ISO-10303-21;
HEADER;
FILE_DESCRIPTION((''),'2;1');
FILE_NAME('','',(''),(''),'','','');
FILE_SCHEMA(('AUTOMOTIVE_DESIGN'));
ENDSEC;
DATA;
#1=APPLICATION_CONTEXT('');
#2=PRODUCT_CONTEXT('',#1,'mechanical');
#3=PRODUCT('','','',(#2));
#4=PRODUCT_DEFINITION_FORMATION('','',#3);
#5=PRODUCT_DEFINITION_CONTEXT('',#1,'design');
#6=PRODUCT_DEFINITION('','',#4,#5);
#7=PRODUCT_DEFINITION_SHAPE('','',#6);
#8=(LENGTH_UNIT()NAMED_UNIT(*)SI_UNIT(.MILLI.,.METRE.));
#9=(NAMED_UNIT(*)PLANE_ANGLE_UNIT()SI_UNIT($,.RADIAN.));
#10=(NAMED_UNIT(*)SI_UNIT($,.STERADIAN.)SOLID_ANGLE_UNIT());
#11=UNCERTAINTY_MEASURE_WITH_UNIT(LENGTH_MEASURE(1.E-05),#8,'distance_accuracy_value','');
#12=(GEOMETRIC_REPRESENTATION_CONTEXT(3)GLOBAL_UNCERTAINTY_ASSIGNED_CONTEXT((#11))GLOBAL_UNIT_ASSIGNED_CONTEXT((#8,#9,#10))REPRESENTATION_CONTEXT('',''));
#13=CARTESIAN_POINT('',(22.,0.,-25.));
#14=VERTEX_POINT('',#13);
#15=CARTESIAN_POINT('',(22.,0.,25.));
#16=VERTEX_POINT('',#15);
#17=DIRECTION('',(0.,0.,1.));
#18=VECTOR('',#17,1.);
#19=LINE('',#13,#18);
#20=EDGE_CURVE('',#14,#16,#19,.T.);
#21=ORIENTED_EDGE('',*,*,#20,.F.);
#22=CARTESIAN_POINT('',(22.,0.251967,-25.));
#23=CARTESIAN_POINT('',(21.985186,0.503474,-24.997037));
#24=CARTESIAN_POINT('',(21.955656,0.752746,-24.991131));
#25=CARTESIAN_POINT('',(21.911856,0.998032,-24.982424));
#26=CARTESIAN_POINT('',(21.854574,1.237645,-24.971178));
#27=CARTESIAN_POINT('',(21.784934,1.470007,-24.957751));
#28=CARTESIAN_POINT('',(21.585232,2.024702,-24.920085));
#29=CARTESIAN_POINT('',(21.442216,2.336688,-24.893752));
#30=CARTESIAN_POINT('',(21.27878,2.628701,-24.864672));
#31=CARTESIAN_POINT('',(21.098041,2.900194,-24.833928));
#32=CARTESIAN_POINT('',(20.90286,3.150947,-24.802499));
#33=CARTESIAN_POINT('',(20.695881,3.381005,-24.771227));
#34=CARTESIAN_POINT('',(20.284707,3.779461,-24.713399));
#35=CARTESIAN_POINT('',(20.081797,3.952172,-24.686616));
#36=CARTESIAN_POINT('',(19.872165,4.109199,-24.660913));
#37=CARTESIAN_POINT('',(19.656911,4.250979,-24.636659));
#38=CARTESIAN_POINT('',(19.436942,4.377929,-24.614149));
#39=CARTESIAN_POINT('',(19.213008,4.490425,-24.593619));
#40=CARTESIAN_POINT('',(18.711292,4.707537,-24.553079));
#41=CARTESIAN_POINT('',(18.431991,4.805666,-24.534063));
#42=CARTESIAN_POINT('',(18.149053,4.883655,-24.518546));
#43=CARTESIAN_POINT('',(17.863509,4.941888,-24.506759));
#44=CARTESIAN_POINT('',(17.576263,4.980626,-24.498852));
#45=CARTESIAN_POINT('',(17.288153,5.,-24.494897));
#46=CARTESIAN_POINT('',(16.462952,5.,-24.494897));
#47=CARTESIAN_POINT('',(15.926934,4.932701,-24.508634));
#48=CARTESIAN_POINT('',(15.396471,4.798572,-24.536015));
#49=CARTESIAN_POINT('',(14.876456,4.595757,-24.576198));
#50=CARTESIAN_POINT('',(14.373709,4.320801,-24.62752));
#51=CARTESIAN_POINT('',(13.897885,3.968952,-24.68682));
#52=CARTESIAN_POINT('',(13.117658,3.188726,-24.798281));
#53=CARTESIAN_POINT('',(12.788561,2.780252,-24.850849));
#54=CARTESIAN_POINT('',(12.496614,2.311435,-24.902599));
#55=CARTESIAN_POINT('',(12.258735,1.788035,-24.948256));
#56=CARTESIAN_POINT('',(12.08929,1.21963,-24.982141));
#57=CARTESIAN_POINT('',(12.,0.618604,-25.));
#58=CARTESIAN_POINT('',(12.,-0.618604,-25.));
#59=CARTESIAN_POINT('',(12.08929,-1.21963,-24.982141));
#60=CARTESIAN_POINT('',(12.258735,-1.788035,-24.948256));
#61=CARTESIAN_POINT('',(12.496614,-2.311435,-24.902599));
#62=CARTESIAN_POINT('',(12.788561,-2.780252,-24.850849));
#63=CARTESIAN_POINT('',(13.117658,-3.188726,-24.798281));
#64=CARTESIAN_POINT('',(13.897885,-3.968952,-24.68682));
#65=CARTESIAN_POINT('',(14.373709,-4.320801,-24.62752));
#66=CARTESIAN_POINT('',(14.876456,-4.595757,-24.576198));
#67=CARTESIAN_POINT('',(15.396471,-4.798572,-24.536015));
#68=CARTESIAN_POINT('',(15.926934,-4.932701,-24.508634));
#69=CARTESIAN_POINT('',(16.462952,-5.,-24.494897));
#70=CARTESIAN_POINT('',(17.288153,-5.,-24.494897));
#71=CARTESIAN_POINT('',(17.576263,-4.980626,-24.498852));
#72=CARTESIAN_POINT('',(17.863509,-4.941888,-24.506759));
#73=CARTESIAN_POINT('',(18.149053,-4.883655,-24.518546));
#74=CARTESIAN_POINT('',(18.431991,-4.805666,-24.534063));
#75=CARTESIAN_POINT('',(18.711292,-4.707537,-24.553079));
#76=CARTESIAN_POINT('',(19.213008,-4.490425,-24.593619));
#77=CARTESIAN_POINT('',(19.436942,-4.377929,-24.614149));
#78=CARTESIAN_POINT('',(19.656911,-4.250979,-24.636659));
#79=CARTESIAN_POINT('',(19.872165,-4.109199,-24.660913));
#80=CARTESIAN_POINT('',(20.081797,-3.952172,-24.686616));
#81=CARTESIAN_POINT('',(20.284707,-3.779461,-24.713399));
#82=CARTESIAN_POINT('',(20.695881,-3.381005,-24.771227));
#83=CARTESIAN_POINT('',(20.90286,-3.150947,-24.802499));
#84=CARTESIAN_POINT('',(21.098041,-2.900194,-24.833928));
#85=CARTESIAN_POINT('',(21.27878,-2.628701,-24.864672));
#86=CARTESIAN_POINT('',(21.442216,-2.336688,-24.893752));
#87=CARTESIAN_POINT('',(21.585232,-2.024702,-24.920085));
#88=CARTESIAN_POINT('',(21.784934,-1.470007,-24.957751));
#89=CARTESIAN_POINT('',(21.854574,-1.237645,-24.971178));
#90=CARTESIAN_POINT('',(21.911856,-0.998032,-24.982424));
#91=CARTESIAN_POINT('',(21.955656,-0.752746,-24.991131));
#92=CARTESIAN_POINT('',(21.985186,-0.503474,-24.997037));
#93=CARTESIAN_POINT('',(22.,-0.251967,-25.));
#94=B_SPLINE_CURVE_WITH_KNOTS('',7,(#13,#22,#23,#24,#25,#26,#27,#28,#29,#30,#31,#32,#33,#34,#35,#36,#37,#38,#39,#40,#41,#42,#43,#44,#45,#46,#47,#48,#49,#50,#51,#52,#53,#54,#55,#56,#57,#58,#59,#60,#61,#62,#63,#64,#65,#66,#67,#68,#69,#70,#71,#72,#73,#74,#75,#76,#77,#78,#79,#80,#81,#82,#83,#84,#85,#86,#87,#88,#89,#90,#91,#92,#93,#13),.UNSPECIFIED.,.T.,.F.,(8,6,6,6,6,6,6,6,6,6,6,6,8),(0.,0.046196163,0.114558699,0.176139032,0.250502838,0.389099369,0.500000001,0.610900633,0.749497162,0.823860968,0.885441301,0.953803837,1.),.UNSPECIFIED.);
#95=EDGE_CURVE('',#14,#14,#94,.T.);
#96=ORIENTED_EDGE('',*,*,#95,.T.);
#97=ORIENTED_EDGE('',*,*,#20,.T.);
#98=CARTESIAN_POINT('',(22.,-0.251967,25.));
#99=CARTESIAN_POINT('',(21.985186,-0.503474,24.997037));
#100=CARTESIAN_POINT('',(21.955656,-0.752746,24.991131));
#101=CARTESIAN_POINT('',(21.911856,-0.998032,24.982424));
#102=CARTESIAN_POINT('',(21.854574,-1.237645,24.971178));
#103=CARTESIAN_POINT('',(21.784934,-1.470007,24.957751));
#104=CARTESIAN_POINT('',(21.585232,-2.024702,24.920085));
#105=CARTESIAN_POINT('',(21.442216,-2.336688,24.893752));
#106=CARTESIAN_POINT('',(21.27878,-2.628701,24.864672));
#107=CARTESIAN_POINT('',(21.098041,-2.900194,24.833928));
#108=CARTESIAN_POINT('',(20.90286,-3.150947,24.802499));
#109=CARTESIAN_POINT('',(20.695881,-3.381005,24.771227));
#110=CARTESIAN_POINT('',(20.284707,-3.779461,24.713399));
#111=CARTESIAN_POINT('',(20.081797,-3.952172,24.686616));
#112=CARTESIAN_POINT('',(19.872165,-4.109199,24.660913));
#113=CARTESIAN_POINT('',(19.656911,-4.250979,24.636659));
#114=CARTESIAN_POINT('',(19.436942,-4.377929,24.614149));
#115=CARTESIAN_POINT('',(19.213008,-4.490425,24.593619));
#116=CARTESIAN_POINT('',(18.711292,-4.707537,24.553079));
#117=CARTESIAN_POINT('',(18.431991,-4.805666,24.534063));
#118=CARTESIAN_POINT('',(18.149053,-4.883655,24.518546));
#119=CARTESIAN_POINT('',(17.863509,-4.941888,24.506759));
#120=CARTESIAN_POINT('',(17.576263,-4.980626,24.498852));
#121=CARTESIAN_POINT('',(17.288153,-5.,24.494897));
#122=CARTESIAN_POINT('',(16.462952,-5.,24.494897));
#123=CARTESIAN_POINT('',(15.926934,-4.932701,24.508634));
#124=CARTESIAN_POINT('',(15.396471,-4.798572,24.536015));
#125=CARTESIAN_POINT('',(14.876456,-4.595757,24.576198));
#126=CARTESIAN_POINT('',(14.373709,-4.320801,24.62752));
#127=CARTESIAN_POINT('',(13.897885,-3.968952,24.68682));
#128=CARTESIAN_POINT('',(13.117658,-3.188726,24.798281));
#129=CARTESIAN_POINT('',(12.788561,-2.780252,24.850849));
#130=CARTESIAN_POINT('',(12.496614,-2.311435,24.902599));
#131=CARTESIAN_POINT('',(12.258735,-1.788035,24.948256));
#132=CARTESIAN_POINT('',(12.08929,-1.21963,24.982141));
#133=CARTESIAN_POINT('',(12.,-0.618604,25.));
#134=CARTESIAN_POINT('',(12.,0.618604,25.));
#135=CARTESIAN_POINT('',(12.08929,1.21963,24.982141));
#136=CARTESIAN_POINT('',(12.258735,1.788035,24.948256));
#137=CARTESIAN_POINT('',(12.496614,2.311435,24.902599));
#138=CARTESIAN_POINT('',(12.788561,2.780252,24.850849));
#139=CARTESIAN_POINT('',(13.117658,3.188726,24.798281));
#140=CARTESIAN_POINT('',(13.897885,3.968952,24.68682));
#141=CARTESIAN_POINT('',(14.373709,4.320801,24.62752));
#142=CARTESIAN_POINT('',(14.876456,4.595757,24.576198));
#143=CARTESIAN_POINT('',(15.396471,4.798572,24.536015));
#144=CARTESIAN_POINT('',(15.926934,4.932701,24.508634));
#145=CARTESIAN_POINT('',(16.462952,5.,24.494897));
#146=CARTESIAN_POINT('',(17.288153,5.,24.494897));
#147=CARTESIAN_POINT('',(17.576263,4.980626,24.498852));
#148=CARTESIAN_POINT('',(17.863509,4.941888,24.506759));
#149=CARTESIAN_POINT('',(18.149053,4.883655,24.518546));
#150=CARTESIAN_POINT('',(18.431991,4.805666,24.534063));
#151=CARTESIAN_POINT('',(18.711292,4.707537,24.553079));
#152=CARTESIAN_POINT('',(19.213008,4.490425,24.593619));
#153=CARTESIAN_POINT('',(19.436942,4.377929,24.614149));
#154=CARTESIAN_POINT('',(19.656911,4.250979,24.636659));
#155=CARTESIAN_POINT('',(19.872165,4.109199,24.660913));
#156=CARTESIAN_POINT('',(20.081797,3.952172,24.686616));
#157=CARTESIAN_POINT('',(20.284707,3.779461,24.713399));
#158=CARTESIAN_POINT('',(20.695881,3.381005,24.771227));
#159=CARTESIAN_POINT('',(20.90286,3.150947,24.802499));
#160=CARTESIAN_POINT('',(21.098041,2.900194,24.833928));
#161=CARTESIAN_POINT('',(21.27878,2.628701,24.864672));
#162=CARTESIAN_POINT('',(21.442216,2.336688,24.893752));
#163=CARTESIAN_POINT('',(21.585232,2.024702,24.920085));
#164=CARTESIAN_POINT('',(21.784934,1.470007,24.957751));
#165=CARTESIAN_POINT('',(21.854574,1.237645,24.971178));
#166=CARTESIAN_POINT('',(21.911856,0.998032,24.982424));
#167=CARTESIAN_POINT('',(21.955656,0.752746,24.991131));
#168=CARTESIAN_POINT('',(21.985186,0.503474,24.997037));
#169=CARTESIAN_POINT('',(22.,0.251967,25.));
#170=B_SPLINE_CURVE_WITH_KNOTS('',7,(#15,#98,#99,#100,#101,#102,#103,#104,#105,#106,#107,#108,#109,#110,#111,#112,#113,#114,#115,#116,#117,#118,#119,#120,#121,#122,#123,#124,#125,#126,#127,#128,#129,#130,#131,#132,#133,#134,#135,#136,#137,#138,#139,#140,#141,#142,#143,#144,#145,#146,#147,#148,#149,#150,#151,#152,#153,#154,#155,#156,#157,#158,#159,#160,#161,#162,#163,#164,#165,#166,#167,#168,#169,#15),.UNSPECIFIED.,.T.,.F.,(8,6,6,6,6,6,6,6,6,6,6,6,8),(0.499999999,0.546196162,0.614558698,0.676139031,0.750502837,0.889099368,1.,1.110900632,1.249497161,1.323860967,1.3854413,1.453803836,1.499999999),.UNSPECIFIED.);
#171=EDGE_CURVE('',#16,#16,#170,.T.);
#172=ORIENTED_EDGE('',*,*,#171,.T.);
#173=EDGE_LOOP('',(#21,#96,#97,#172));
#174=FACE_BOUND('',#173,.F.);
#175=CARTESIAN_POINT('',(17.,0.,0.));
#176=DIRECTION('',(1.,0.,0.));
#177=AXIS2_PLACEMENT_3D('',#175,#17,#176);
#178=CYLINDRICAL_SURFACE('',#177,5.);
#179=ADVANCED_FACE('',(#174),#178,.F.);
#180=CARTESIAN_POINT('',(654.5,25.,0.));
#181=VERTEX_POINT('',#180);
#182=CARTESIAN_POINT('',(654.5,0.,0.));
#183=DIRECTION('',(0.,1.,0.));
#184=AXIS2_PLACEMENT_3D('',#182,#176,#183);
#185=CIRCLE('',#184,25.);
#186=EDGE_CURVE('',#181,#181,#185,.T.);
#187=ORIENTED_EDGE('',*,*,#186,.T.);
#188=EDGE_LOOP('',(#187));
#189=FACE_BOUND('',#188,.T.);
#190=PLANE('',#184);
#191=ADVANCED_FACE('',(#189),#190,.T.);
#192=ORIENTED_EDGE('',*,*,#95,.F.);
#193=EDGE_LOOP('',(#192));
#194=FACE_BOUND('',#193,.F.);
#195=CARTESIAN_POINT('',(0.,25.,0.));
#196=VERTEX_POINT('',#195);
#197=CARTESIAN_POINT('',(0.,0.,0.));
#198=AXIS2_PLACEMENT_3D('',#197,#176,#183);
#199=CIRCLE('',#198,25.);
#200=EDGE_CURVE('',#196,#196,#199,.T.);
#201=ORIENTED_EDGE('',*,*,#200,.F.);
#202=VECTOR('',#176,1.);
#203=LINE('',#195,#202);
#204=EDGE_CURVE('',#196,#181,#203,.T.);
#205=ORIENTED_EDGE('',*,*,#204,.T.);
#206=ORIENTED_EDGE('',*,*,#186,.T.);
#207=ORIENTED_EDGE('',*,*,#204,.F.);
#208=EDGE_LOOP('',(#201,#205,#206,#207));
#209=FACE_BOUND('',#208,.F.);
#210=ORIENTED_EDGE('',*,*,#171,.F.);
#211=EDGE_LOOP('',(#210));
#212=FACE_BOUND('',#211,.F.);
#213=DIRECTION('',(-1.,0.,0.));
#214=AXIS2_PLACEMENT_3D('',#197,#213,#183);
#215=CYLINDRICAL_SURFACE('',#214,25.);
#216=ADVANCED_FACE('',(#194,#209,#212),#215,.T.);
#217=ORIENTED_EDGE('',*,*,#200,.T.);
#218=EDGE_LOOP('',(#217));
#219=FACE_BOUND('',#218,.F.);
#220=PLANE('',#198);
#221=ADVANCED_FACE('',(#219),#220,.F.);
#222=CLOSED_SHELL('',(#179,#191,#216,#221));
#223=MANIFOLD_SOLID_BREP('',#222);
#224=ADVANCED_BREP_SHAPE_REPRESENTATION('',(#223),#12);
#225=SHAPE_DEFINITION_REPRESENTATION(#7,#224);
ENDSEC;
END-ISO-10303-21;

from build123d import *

# Parameters (mm, degrees)
F0_R     = 25
F1_DEPTH = 654.5
F3_DEPTH = 25


with BuildPart() as f1:
    # F0 (on Right) → F1 (new body)
    with BuildSketch(Plane.YZ):
        Circle(F0_R)
    extrude(amount=F1_DEPTH)

    # F2 (on Top) → F3 (cut, symmetric)
    with BuildSketch(Plane.XY):
        with BuildLine():
            ThreePointArc((12, 0), (17, -5), (22, 0))
            ThreePointArc((22, 0), (17, 5), (12, 0))
        make_face()
    extrude(amount=F3_DEPTH, both=True, mode=Mode.SUBTRACT)


solid = f1.part
